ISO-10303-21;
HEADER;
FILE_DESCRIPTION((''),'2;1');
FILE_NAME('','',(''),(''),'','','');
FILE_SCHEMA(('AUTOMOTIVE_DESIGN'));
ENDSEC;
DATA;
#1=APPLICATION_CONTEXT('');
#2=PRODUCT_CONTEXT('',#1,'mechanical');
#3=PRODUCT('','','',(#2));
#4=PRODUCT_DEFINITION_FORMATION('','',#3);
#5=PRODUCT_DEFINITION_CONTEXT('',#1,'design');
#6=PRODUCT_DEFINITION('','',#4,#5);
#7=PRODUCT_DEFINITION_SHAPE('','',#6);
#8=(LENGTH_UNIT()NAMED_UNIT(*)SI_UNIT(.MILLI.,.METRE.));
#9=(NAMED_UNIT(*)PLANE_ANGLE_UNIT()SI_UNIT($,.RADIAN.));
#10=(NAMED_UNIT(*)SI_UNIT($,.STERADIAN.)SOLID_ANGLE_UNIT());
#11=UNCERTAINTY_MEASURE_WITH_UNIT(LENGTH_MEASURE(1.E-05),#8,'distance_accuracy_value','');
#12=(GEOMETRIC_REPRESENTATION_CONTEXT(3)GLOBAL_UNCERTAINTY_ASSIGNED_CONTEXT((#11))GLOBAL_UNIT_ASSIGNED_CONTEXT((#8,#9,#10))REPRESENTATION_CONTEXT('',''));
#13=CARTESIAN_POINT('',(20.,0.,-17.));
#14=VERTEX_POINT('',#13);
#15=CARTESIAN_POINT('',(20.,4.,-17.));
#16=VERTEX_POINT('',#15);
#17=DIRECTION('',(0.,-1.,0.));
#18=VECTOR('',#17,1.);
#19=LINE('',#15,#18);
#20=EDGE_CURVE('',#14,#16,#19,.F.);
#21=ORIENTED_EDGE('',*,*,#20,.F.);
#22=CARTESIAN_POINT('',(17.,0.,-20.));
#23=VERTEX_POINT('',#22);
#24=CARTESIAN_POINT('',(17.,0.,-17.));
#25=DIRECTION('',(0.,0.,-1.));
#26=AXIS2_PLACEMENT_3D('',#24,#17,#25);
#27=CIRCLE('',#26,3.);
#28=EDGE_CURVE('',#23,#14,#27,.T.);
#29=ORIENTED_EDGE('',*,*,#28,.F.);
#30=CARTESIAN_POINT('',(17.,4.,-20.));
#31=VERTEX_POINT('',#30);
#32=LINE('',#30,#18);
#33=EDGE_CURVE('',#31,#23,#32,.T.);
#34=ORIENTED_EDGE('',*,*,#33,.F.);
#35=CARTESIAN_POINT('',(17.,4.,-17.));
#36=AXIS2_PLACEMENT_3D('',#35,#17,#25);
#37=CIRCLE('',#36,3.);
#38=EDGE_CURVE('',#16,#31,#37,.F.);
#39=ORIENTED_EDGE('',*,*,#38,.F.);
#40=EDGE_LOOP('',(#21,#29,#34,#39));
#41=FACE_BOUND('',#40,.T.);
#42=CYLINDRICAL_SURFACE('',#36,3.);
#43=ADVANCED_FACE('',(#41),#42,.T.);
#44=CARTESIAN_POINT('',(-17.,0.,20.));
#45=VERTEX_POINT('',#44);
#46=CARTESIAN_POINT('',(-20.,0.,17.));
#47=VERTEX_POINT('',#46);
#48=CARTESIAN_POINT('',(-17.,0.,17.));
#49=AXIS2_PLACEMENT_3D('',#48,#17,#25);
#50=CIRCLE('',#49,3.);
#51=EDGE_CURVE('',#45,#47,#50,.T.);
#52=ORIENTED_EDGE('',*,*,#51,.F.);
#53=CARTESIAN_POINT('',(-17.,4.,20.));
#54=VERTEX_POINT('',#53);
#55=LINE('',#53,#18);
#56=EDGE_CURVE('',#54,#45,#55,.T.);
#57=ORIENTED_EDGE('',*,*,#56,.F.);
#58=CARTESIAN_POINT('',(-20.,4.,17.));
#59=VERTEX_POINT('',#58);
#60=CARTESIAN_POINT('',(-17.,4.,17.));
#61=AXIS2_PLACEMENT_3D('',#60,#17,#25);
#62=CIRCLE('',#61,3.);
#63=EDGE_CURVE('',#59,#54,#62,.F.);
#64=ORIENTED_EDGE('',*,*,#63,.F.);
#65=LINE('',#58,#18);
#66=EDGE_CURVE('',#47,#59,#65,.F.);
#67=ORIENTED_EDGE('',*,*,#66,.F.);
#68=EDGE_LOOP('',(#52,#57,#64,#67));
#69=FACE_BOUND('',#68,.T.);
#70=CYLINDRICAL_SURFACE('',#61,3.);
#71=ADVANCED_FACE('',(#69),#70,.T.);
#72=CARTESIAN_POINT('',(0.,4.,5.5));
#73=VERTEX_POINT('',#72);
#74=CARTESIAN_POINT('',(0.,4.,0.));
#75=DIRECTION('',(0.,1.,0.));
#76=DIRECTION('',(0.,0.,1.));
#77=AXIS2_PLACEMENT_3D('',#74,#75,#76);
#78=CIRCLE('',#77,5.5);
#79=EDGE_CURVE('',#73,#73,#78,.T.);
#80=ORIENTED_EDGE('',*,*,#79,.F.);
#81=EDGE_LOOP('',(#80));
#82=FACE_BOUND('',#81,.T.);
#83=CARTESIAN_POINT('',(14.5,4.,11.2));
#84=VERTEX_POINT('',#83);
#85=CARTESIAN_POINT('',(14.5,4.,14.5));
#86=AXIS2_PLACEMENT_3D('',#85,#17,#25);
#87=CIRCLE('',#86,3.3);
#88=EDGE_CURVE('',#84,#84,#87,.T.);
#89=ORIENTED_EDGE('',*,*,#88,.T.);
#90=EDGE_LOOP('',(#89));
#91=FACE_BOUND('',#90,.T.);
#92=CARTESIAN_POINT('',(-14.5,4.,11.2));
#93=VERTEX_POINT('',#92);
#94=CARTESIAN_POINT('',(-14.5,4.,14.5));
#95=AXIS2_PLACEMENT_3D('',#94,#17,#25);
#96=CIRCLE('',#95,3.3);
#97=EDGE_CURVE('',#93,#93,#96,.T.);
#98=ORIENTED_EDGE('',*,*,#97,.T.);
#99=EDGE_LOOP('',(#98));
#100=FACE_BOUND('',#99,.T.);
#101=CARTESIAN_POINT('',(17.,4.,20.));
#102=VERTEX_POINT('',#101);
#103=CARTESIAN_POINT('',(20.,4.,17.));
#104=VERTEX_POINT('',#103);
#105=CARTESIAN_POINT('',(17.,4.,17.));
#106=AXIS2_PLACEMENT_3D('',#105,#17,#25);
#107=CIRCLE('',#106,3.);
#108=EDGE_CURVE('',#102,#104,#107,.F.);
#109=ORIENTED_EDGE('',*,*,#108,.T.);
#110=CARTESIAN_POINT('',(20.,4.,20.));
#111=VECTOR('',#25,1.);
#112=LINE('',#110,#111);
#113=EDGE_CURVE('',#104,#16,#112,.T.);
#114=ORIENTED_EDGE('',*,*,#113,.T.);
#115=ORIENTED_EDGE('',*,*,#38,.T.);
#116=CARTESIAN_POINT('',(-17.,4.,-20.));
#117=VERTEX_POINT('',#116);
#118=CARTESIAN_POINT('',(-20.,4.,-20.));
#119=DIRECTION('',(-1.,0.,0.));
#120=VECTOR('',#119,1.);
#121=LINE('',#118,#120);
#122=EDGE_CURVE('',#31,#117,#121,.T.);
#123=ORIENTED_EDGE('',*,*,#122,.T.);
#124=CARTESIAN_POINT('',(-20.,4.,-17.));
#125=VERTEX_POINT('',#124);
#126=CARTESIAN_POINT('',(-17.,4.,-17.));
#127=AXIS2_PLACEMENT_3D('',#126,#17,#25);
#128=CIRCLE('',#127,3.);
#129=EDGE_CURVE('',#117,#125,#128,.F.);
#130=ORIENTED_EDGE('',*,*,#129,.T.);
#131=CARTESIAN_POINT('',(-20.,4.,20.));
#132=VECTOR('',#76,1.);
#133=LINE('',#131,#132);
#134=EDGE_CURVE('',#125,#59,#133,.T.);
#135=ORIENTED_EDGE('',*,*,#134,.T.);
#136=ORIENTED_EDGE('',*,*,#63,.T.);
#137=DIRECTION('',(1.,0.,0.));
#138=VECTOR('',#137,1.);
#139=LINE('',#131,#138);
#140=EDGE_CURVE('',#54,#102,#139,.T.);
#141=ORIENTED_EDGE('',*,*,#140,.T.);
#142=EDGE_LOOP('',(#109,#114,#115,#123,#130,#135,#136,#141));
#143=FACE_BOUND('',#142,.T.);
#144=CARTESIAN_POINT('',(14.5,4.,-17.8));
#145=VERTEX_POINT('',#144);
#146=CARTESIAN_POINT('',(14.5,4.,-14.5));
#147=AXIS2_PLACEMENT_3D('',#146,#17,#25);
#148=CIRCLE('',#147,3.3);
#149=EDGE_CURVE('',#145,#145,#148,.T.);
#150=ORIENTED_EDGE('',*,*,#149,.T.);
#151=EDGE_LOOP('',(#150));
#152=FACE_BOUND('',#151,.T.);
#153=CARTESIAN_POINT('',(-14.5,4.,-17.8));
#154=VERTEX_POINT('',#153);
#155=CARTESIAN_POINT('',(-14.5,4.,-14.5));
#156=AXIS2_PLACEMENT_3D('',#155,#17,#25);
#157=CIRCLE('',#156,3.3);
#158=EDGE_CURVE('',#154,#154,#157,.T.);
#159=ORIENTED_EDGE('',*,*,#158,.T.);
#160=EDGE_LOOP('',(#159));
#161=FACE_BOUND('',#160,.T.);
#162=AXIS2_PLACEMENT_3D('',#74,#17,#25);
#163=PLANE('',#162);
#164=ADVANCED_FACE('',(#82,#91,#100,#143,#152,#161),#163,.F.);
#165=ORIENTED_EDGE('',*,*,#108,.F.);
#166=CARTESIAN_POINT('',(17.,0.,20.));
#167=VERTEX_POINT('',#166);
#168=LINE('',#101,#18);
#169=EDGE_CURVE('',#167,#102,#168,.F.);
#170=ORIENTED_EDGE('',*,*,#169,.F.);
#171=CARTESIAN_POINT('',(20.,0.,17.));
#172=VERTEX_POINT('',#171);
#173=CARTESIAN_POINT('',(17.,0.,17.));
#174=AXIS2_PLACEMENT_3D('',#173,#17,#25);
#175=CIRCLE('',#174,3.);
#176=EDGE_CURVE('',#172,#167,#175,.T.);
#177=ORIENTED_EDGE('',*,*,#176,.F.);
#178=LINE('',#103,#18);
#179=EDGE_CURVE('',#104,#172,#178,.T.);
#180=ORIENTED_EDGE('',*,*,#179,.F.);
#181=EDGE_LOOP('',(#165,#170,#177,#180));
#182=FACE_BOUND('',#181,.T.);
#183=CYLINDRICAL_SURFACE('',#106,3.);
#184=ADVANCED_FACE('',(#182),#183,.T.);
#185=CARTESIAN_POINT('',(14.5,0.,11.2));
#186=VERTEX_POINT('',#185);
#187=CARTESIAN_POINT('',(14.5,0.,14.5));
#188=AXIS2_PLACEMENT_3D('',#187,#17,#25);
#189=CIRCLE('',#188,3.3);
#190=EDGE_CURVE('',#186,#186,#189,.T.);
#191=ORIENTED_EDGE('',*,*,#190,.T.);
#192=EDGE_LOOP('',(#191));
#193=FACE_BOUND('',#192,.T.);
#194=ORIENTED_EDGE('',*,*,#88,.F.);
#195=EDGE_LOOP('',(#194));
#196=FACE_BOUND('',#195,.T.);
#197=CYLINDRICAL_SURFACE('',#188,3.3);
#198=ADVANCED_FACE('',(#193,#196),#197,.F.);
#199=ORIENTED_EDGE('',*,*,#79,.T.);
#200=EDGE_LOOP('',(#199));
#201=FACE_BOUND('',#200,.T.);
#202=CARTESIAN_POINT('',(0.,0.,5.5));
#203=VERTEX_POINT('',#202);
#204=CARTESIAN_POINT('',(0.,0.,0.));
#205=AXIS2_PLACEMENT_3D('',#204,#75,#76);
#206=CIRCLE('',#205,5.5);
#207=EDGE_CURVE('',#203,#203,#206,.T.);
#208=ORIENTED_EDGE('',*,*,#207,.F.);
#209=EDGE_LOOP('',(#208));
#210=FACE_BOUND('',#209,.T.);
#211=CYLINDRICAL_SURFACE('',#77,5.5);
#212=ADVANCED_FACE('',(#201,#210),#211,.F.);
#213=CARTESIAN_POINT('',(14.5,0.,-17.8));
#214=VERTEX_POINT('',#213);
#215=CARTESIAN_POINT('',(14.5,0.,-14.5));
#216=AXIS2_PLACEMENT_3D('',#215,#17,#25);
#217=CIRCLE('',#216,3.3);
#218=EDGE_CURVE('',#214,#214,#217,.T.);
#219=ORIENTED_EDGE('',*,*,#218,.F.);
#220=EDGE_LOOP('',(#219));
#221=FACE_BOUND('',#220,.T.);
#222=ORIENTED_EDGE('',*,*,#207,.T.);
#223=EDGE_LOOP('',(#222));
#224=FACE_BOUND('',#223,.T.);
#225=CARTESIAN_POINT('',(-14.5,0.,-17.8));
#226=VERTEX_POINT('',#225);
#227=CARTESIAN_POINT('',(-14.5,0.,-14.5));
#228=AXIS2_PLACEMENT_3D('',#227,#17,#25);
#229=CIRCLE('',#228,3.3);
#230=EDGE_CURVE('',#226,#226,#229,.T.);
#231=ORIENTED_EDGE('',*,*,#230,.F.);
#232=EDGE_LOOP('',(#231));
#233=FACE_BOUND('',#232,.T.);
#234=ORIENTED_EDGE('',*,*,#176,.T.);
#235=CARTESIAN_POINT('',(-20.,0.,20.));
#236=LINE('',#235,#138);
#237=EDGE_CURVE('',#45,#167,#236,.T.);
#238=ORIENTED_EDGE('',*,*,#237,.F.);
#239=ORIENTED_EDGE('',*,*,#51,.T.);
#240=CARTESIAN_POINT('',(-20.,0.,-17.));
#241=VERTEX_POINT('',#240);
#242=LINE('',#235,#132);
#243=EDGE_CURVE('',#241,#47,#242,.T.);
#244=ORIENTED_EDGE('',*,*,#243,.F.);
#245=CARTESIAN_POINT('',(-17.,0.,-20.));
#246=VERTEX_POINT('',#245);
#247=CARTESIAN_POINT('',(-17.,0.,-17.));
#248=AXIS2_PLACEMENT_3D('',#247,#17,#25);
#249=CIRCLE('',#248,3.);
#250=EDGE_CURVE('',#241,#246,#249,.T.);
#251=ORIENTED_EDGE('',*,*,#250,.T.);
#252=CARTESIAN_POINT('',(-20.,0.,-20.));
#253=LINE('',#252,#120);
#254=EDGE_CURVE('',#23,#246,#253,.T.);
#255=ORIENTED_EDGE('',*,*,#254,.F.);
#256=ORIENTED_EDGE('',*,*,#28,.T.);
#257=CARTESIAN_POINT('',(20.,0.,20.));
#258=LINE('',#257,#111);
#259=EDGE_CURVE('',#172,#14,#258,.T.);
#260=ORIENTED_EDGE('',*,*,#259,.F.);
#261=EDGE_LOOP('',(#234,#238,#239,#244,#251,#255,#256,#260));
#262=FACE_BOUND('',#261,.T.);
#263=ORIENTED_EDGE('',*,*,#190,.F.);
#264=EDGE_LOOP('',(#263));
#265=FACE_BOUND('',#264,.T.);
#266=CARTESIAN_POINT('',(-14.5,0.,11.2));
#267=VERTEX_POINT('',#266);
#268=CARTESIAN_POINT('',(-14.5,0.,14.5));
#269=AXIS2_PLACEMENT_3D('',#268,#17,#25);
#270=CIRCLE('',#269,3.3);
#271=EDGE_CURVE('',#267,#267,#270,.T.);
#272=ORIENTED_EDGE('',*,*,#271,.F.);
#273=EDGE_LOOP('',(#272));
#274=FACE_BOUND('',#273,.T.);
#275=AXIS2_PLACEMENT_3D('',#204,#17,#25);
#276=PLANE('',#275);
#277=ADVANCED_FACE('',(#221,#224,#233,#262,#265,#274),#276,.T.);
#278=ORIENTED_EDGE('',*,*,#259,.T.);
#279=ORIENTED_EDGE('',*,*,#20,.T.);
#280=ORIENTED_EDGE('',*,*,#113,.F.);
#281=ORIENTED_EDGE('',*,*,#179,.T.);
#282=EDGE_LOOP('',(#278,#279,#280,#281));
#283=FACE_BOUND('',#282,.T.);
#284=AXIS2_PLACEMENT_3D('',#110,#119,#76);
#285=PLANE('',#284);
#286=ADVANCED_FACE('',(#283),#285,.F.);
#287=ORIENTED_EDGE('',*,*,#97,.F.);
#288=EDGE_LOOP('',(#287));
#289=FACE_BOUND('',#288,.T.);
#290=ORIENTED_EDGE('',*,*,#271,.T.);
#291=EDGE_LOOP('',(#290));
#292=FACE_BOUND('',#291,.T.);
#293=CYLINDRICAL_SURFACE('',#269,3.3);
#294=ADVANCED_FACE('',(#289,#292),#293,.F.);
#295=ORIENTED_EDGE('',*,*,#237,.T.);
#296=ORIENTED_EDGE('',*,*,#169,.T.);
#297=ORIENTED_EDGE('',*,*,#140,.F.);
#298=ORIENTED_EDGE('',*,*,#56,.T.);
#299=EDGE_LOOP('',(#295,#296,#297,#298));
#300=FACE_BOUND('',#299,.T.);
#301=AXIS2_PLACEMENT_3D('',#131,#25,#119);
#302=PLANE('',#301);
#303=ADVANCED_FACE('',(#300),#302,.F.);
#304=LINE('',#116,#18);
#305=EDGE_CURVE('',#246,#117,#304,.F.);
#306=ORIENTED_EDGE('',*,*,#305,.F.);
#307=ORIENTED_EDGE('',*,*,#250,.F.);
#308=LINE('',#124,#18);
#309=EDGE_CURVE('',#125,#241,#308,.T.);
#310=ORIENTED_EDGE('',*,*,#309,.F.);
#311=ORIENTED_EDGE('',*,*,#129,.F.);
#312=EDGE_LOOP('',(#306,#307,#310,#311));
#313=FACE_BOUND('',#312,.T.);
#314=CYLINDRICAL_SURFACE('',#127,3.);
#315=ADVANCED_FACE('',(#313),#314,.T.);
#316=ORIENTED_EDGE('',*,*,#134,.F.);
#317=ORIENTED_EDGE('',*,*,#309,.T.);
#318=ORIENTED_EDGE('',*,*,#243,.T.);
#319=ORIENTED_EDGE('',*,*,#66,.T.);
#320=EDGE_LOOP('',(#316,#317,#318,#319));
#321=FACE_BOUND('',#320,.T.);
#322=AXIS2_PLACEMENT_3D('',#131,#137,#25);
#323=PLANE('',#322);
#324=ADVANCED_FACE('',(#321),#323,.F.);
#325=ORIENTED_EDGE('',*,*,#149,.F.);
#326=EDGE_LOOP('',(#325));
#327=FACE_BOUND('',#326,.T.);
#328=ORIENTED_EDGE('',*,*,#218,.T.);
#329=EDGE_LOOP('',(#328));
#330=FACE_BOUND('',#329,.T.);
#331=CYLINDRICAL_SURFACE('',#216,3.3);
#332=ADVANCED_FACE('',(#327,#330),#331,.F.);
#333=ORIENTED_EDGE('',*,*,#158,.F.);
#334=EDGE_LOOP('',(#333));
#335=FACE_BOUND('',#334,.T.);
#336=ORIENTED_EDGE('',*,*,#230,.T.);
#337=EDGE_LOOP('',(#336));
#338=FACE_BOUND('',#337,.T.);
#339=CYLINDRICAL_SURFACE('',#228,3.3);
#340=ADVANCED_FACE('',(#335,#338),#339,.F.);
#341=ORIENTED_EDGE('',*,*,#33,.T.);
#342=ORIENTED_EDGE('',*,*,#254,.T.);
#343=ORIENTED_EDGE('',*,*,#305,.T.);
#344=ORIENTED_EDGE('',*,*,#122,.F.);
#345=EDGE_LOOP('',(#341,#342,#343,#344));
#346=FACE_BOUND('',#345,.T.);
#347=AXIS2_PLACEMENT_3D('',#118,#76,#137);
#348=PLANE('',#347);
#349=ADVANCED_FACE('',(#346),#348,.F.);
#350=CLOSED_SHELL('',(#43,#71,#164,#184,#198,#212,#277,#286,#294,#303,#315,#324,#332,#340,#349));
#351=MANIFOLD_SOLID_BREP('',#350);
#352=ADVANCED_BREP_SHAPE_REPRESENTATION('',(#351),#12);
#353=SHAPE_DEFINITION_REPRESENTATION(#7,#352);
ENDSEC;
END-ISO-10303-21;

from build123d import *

# Parameters (mm, degrees)
SKETCH_1_W         = 40
SKETCH_1_H         = 40
EXTRUDE_1_DEPTH    = 4
HOLE_WIZARD_M101_D = 11
FILLET_1_R         = 3
HOLE_WIZARD_M61_D  = 6.6


with BuildPart() as part:
    # Эскиз1 → Бобышка-Вытянуть1 (new body)
    with BuildSketch(Plane(origin=(0, 0, 0), x_dir=(1, 0, 0), z_dir=(0, 1, 0))):
        Rectangle(SKETCH_1_W, SKETCH_1_H)
    extrude(amount=EXTRUDE_1_DEPTH)

    # Отверстие с зазором M101 (through all)
    with Locations(Plane(origin=(0, 4, 0), x_dir=(1, 0, 0), z_dir=(0, 1, 0))):
        with Locations((0, 0)):
            Hole(HOLE_WIZARD_M101_D / 2)

    # Скругление1
    fillet_1_edges = [part.edges().sort_by_distance(p)[0] for p in [
        (20, 2, 20),
        (-20, 2, 20),
        (-20, 2, -20),
        (20, 2, -20),
    ]]
    fillet(fillet_1_edges, radius=FILLET_1_R)

    # Отверстие с зазором M61 (through all)
    with Locations(Plane(origin=(0, 0, 0), x_dir=(-1, 0, 0), z_dir=(0, -1, 0))):
        with Locations((-14.5, 14.5), (0, 0), (14.5, 14.5), (-14.5, -14.5), (14.5, -14.5)):
            Hole(HOLE_WIZARD_M61_D / 2)


solid = part.part
